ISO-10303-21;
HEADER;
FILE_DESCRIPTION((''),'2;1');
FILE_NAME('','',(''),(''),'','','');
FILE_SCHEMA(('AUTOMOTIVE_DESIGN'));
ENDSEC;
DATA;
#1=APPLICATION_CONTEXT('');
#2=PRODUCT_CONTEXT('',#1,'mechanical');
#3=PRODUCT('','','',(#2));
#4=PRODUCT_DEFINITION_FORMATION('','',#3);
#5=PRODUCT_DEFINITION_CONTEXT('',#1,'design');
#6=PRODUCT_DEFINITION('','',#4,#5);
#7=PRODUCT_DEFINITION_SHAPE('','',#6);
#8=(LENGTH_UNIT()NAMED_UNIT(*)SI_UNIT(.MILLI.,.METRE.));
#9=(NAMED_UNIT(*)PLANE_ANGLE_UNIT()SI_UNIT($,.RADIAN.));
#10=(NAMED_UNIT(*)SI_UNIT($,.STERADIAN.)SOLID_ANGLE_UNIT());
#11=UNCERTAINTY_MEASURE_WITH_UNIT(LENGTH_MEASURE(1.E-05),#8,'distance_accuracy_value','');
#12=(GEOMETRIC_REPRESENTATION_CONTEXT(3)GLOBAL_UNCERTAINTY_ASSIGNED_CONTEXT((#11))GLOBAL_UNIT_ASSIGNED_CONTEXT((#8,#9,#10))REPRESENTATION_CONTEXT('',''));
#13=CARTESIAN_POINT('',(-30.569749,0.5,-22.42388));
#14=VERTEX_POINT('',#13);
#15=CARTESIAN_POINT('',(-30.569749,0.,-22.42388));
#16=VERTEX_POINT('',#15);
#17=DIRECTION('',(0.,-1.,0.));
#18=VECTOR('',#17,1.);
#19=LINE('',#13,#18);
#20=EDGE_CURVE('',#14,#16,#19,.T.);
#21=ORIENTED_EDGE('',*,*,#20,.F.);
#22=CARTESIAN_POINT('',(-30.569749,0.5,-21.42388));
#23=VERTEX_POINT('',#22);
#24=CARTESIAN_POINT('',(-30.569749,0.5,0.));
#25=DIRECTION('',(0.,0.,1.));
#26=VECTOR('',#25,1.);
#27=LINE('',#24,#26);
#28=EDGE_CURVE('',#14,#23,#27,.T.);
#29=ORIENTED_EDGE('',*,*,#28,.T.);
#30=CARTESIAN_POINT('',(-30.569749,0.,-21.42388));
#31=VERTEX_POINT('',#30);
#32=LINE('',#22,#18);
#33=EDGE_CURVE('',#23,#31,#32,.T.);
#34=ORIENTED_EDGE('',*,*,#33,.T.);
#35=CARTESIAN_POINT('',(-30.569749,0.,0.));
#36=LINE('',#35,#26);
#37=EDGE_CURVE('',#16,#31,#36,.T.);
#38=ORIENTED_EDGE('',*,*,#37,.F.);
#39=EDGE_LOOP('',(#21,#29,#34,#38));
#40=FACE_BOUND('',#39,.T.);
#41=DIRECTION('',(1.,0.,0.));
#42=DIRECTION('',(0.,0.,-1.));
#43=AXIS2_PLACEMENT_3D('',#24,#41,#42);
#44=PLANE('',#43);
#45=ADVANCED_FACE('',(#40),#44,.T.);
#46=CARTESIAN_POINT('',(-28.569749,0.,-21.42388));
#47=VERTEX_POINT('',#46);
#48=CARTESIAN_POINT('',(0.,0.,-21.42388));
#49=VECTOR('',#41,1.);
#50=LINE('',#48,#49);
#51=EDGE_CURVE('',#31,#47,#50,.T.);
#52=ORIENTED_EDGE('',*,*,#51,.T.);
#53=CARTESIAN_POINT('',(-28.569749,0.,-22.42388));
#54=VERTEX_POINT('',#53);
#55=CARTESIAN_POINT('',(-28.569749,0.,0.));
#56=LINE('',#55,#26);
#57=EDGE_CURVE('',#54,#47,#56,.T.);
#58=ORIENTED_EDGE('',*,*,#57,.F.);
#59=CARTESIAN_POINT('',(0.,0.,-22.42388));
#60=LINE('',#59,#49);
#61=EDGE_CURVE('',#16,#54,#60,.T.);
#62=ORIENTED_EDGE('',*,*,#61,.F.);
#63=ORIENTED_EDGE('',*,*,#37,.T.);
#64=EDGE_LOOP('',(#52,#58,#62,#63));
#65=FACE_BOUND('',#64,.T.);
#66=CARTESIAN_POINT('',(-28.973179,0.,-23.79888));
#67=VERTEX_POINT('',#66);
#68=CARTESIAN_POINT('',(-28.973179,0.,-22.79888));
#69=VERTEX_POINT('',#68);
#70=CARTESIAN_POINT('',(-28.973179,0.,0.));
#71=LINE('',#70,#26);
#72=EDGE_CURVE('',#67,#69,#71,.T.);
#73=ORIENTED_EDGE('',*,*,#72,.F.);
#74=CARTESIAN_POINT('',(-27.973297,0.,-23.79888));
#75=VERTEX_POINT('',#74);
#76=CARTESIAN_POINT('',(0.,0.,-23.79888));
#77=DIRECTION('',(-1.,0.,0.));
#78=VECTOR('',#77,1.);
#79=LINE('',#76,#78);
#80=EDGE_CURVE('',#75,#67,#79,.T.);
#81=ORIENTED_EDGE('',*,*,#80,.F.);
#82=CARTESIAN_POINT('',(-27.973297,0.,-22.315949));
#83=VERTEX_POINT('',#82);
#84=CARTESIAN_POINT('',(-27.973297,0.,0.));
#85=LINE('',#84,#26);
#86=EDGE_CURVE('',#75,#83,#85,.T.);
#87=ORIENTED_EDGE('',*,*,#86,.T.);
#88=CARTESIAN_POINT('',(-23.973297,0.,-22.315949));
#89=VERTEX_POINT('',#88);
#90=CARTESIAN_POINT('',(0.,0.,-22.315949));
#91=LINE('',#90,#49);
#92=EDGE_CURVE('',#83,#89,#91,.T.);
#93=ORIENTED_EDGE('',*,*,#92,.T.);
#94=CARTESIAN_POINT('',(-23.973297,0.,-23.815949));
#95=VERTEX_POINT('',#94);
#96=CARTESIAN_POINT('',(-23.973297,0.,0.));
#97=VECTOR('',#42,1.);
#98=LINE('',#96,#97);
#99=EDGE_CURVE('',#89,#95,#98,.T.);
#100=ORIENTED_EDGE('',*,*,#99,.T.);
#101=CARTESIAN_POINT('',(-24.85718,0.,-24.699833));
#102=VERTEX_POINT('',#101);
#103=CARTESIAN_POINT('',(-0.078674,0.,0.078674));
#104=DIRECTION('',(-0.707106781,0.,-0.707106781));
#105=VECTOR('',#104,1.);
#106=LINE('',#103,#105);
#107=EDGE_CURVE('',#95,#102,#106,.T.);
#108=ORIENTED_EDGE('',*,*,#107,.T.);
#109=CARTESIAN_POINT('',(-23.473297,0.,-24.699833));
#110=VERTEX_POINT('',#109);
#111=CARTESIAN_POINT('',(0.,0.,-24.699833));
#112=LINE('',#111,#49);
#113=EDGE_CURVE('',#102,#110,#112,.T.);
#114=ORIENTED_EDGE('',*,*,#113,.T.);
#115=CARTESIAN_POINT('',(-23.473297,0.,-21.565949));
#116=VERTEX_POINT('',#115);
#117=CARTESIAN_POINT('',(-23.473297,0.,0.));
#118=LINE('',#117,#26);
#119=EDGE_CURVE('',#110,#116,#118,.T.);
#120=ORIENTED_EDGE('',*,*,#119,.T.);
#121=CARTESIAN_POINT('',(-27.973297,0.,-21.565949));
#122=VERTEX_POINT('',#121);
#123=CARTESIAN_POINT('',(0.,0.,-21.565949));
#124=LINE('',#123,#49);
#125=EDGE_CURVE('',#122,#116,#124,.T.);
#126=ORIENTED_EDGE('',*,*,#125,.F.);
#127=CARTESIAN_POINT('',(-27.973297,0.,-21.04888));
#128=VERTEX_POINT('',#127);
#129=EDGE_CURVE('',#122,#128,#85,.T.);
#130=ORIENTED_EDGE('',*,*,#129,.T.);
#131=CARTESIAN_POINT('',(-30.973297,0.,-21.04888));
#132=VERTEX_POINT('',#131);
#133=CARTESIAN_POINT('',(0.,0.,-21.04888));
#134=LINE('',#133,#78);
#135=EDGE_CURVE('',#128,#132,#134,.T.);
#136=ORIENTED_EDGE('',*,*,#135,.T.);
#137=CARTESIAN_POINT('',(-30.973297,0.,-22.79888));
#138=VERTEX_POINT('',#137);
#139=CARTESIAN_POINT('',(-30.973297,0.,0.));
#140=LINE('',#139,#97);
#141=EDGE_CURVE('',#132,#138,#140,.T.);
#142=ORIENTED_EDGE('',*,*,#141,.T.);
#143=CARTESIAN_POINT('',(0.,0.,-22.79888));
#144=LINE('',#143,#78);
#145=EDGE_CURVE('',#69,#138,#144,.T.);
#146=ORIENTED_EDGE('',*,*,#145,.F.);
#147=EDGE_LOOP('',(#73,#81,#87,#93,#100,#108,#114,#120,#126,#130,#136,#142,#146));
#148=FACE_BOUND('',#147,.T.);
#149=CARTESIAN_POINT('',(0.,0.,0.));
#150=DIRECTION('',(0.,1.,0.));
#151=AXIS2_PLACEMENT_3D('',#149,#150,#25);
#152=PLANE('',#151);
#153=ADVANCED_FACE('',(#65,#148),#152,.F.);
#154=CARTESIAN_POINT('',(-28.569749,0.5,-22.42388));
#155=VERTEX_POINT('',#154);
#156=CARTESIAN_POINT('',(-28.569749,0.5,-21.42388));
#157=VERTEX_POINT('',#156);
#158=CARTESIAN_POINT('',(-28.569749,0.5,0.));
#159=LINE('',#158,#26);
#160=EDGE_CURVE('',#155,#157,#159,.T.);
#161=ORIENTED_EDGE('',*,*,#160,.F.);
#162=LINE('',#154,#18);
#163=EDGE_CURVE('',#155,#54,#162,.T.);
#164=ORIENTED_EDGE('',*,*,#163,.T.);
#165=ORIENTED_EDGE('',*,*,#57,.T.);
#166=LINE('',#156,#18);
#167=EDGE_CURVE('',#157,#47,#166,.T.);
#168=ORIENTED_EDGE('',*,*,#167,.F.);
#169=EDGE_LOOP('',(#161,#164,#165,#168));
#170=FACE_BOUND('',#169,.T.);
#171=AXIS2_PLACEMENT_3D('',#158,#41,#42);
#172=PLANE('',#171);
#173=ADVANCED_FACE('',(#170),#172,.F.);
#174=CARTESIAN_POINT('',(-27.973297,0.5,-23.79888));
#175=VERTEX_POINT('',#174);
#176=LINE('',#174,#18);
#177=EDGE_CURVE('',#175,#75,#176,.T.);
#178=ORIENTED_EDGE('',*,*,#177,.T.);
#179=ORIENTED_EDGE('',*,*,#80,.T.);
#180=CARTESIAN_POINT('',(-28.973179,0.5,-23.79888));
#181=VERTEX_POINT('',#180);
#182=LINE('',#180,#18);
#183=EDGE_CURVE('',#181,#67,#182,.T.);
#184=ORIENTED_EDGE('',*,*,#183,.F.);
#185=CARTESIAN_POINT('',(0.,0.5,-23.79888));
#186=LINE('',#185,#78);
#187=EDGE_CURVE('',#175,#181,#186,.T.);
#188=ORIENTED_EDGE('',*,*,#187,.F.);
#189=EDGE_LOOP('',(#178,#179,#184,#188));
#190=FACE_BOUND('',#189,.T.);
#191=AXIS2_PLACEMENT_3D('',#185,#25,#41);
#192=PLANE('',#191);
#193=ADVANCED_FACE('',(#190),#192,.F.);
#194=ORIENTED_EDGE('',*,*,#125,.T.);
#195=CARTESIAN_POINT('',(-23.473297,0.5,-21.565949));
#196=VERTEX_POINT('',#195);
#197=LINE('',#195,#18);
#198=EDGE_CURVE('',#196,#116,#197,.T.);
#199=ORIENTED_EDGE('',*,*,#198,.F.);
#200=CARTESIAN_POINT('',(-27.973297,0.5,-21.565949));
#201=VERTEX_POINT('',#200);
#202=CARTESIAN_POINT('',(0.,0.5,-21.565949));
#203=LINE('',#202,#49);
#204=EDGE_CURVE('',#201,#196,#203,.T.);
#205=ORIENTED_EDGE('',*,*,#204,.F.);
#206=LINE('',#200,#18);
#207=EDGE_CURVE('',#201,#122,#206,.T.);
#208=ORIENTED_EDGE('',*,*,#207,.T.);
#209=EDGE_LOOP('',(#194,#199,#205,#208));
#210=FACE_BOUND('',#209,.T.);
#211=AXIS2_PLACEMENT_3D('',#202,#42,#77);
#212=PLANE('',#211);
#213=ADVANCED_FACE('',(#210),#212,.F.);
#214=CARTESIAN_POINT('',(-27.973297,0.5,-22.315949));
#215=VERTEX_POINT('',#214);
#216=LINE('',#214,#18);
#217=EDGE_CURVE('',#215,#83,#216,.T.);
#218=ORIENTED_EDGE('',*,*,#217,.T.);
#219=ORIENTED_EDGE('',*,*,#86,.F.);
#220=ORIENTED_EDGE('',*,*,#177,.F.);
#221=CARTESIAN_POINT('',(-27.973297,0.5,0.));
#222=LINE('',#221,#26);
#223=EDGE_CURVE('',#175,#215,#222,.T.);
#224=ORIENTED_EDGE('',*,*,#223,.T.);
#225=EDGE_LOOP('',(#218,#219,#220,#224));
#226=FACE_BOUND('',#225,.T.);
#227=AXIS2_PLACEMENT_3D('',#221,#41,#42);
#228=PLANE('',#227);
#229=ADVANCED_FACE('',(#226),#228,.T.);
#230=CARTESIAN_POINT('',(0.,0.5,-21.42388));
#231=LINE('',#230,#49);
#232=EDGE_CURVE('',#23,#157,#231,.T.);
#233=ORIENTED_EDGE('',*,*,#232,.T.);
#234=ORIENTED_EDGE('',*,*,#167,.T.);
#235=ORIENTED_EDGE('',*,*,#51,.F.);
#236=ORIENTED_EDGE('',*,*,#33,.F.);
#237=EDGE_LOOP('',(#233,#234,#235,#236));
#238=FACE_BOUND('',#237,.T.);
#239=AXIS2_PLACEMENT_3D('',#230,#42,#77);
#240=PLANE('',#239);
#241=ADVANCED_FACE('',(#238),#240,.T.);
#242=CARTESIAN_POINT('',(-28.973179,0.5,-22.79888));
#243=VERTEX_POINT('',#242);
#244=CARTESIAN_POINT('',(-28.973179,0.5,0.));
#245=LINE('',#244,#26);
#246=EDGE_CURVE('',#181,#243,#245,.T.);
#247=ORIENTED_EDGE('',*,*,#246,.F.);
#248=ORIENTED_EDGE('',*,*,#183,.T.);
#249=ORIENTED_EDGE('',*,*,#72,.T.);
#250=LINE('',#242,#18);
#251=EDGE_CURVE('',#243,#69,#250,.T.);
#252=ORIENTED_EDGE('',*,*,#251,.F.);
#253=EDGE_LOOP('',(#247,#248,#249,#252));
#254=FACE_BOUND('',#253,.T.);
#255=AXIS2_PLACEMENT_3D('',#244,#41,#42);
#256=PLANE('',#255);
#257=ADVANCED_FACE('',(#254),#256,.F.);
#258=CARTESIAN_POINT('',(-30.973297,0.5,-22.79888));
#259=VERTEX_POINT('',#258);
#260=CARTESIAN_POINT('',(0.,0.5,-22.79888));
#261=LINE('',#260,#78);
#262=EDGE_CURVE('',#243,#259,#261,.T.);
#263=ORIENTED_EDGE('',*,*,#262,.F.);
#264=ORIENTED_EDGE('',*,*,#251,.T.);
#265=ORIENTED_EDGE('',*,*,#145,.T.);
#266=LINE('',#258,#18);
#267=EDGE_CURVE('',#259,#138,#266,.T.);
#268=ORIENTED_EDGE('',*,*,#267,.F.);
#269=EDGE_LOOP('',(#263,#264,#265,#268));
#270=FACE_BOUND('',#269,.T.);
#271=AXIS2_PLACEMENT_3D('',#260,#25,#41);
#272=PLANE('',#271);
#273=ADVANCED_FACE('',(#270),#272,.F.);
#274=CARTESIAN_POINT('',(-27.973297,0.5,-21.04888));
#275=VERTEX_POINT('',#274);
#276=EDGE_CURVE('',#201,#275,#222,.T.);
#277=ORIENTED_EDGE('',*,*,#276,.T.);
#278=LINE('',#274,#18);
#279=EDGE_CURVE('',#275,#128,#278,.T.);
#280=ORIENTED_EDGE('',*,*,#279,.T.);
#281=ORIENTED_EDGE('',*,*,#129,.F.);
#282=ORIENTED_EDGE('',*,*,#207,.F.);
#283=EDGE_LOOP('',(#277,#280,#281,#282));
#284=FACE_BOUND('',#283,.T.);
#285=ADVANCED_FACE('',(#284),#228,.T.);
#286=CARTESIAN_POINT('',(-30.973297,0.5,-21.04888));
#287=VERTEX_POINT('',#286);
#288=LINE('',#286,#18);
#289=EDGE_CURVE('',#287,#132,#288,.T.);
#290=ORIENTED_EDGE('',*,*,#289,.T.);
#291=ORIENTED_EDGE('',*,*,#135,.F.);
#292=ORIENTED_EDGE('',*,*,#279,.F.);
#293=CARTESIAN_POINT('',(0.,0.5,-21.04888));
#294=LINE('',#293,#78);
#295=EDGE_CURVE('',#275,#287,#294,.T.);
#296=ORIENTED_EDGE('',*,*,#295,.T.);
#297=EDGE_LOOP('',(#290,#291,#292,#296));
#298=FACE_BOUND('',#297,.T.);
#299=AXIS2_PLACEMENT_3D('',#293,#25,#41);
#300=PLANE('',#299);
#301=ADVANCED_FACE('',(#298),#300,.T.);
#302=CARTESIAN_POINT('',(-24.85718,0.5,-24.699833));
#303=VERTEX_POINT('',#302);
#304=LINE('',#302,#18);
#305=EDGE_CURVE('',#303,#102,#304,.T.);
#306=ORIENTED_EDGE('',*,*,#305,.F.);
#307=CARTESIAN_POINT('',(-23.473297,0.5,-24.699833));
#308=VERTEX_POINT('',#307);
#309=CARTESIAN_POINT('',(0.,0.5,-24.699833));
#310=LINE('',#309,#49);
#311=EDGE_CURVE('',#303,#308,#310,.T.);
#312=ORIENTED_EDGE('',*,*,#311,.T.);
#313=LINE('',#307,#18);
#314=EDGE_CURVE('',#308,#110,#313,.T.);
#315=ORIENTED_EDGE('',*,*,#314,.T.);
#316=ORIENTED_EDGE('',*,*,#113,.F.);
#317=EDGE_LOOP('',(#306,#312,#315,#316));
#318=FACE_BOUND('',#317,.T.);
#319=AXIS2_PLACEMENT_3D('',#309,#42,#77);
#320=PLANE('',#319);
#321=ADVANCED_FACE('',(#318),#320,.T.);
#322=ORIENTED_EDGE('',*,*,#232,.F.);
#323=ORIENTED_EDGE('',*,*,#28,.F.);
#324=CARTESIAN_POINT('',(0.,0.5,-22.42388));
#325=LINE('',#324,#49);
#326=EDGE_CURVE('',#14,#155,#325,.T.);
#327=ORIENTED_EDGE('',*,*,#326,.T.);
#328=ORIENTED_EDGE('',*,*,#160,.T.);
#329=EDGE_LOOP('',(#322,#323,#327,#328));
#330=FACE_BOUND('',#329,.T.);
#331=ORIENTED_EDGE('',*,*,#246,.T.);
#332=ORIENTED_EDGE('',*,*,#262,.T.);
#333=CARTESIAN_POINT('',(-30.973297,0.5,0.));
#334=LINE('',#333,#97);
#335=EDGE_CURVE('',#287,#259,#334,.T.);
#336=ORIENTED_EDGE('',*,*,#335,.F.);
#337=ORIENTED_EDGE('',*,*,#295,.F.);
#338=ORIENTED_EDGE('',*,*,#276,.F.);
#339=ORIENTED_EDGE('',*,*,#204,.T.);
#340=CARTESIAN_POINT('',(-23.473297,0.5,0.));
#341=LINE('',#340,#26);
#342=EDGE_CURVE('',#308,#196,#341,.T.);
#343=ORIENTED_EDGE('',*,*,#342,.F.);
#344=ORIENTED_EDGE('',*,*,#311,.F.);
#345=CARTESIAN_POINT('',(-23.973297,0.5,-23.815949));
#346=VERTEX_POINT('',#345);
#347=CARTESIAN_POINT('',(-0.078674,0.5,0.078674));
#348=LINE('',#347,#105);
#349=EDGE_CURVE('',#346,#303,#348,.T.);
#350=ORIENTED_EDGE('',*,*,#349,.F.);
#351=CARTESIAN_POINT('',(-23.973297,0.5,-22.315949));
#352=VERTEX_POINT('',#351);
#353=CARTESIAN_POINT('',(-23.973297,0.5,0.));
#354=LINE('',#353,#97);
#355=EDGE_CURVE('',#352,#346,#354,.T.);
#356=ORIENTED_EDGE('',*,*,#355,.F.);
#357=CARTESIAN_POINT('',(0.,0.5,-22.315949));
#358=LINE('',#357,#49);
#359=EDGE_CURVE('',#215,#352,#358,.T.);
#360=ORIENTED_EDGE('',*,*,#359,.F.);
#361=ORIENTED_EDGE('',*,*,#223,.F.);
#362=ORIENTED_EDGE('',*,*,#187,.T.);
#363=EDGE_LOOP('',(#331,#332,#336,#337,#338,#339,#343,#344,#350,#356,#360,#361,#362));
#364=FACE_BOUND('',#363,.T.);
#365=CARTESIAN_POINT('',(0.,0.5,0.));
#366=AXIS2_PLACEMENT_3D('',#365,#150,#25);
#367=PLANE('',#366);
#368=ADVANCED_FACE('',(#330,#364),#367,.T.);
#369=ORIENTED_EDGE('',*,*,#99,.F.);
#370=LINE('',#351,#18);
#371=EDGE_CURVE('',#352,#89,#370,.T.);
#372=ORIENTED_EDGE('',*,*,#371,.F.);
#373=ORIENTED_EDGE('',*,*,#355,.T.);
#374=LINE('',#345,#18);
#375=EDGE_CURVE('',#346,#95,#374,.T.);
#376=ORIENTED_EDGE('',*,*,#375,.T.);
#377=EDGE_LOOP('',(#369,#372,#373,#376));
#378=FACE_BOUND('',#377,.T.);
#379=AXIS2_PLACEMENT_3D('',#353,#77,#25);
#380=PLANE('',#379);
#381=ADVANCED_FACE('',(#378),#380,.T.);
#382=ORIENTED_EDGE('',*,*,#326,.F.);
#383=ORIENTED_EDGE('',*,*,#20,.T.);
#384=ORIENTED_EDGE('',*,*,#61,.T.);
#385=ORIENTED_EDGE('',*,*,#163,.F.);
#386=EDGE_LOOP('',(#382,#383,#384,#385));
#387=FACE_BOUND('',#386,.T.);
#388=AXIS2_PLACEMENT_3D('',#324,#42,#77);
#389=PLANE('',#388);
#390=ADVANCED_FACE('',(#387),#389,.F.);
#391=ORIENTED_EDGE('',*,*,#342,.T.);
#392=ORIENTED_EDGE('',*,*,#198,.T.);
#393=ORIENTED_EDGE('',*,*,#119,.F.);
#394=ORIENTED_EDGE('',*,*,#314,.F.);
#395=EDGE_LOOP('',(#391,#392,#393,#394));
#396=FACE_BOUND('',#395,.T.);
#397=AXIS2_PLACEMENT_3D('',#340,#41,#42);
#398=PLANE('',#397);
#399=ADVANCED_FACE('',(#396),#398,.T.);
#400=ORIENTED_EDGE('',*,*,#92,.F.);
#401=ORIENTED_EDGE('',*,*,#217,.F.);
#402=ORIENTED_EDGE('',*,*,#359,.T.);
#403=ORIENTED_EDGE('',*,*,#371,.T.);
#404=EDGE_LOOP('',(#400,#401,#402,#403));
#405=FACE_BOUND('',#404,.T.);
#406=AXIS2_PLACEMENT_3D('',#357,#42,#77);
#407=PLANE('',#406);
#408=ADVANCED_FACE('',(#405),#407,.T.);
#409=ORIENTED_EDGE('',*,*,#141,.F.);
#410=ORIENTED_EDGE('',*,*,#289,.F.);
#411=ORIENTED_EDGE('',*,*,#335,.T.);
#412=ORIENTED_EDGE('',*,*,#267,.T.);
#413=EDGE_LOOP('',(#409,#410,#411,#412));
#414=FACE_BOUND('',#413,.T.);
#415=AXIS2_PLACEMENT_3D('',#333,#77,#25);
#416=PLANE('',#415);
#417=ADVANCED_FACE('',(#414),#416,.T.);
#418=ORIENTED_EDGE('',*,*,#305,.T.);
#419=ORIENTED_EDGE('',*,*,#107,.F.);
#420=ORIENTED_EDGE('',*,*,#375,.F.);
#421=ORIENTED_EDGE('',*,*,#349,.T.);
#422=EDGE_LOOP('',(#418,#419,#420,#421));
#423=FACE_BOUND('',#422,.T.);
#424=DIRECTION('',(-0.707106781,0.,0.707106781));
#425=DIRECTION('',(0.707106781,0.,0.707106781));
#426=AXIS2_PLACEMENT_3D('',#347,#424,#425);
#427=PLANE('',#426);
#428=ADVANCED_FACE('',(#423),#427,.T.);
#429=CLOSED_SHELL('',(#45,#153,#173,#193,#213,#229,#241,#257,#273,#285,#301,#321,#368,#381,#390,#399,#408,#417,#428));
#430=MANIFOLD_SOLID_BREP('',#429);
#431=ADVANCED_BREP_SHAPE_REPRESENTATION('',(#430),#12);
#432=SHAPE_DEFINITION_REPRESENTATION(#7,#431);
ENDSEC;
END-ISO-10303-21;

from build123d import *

# Parameters (mm, degrees)
BOSS_EXTRUDE1_DEPTH = 0.5


with BuildPart() as part:
    # Sketch1 → Boss-Extrude1 (new body)
    with BuildSketch(Plane(origin=(0, 0, 0), x_dir=(1, 0, 0), z_dir=(0, 1, 0))):
        Polygon((-23.973296771, 22.315949047), (-27.973296771, 22.315949047), (-27.973296771, 23.798880368), (-28.973178979, 23.798880368), (-28.973178979, 22.798880368), (-30.973296771, 22.798880368), (-30.973296771, 21.923880368), (-30.973296771, 21.048880368), (-27.973296771, 21.048880368), (-27.973296771, 21.565949047), (-23.473296771, 21.565949047), (-23.473296771, 24.699832523), (-24.857180247, 24.699832523), (-23.973296771, 23.815949047), align=None)
        Polygon((-30.569749298, 21.423880368), (-30.569749298, 21.923880368), (-30.569749298, 22.423880368), (-28.569749298, 22.423880368), (-28.569749298, 21.423880368), align=None, mode=Mode.SUBTRACT)
    extrude(amount=BOSS_EXTRUDE1_DEPTH)


solid = part.part
